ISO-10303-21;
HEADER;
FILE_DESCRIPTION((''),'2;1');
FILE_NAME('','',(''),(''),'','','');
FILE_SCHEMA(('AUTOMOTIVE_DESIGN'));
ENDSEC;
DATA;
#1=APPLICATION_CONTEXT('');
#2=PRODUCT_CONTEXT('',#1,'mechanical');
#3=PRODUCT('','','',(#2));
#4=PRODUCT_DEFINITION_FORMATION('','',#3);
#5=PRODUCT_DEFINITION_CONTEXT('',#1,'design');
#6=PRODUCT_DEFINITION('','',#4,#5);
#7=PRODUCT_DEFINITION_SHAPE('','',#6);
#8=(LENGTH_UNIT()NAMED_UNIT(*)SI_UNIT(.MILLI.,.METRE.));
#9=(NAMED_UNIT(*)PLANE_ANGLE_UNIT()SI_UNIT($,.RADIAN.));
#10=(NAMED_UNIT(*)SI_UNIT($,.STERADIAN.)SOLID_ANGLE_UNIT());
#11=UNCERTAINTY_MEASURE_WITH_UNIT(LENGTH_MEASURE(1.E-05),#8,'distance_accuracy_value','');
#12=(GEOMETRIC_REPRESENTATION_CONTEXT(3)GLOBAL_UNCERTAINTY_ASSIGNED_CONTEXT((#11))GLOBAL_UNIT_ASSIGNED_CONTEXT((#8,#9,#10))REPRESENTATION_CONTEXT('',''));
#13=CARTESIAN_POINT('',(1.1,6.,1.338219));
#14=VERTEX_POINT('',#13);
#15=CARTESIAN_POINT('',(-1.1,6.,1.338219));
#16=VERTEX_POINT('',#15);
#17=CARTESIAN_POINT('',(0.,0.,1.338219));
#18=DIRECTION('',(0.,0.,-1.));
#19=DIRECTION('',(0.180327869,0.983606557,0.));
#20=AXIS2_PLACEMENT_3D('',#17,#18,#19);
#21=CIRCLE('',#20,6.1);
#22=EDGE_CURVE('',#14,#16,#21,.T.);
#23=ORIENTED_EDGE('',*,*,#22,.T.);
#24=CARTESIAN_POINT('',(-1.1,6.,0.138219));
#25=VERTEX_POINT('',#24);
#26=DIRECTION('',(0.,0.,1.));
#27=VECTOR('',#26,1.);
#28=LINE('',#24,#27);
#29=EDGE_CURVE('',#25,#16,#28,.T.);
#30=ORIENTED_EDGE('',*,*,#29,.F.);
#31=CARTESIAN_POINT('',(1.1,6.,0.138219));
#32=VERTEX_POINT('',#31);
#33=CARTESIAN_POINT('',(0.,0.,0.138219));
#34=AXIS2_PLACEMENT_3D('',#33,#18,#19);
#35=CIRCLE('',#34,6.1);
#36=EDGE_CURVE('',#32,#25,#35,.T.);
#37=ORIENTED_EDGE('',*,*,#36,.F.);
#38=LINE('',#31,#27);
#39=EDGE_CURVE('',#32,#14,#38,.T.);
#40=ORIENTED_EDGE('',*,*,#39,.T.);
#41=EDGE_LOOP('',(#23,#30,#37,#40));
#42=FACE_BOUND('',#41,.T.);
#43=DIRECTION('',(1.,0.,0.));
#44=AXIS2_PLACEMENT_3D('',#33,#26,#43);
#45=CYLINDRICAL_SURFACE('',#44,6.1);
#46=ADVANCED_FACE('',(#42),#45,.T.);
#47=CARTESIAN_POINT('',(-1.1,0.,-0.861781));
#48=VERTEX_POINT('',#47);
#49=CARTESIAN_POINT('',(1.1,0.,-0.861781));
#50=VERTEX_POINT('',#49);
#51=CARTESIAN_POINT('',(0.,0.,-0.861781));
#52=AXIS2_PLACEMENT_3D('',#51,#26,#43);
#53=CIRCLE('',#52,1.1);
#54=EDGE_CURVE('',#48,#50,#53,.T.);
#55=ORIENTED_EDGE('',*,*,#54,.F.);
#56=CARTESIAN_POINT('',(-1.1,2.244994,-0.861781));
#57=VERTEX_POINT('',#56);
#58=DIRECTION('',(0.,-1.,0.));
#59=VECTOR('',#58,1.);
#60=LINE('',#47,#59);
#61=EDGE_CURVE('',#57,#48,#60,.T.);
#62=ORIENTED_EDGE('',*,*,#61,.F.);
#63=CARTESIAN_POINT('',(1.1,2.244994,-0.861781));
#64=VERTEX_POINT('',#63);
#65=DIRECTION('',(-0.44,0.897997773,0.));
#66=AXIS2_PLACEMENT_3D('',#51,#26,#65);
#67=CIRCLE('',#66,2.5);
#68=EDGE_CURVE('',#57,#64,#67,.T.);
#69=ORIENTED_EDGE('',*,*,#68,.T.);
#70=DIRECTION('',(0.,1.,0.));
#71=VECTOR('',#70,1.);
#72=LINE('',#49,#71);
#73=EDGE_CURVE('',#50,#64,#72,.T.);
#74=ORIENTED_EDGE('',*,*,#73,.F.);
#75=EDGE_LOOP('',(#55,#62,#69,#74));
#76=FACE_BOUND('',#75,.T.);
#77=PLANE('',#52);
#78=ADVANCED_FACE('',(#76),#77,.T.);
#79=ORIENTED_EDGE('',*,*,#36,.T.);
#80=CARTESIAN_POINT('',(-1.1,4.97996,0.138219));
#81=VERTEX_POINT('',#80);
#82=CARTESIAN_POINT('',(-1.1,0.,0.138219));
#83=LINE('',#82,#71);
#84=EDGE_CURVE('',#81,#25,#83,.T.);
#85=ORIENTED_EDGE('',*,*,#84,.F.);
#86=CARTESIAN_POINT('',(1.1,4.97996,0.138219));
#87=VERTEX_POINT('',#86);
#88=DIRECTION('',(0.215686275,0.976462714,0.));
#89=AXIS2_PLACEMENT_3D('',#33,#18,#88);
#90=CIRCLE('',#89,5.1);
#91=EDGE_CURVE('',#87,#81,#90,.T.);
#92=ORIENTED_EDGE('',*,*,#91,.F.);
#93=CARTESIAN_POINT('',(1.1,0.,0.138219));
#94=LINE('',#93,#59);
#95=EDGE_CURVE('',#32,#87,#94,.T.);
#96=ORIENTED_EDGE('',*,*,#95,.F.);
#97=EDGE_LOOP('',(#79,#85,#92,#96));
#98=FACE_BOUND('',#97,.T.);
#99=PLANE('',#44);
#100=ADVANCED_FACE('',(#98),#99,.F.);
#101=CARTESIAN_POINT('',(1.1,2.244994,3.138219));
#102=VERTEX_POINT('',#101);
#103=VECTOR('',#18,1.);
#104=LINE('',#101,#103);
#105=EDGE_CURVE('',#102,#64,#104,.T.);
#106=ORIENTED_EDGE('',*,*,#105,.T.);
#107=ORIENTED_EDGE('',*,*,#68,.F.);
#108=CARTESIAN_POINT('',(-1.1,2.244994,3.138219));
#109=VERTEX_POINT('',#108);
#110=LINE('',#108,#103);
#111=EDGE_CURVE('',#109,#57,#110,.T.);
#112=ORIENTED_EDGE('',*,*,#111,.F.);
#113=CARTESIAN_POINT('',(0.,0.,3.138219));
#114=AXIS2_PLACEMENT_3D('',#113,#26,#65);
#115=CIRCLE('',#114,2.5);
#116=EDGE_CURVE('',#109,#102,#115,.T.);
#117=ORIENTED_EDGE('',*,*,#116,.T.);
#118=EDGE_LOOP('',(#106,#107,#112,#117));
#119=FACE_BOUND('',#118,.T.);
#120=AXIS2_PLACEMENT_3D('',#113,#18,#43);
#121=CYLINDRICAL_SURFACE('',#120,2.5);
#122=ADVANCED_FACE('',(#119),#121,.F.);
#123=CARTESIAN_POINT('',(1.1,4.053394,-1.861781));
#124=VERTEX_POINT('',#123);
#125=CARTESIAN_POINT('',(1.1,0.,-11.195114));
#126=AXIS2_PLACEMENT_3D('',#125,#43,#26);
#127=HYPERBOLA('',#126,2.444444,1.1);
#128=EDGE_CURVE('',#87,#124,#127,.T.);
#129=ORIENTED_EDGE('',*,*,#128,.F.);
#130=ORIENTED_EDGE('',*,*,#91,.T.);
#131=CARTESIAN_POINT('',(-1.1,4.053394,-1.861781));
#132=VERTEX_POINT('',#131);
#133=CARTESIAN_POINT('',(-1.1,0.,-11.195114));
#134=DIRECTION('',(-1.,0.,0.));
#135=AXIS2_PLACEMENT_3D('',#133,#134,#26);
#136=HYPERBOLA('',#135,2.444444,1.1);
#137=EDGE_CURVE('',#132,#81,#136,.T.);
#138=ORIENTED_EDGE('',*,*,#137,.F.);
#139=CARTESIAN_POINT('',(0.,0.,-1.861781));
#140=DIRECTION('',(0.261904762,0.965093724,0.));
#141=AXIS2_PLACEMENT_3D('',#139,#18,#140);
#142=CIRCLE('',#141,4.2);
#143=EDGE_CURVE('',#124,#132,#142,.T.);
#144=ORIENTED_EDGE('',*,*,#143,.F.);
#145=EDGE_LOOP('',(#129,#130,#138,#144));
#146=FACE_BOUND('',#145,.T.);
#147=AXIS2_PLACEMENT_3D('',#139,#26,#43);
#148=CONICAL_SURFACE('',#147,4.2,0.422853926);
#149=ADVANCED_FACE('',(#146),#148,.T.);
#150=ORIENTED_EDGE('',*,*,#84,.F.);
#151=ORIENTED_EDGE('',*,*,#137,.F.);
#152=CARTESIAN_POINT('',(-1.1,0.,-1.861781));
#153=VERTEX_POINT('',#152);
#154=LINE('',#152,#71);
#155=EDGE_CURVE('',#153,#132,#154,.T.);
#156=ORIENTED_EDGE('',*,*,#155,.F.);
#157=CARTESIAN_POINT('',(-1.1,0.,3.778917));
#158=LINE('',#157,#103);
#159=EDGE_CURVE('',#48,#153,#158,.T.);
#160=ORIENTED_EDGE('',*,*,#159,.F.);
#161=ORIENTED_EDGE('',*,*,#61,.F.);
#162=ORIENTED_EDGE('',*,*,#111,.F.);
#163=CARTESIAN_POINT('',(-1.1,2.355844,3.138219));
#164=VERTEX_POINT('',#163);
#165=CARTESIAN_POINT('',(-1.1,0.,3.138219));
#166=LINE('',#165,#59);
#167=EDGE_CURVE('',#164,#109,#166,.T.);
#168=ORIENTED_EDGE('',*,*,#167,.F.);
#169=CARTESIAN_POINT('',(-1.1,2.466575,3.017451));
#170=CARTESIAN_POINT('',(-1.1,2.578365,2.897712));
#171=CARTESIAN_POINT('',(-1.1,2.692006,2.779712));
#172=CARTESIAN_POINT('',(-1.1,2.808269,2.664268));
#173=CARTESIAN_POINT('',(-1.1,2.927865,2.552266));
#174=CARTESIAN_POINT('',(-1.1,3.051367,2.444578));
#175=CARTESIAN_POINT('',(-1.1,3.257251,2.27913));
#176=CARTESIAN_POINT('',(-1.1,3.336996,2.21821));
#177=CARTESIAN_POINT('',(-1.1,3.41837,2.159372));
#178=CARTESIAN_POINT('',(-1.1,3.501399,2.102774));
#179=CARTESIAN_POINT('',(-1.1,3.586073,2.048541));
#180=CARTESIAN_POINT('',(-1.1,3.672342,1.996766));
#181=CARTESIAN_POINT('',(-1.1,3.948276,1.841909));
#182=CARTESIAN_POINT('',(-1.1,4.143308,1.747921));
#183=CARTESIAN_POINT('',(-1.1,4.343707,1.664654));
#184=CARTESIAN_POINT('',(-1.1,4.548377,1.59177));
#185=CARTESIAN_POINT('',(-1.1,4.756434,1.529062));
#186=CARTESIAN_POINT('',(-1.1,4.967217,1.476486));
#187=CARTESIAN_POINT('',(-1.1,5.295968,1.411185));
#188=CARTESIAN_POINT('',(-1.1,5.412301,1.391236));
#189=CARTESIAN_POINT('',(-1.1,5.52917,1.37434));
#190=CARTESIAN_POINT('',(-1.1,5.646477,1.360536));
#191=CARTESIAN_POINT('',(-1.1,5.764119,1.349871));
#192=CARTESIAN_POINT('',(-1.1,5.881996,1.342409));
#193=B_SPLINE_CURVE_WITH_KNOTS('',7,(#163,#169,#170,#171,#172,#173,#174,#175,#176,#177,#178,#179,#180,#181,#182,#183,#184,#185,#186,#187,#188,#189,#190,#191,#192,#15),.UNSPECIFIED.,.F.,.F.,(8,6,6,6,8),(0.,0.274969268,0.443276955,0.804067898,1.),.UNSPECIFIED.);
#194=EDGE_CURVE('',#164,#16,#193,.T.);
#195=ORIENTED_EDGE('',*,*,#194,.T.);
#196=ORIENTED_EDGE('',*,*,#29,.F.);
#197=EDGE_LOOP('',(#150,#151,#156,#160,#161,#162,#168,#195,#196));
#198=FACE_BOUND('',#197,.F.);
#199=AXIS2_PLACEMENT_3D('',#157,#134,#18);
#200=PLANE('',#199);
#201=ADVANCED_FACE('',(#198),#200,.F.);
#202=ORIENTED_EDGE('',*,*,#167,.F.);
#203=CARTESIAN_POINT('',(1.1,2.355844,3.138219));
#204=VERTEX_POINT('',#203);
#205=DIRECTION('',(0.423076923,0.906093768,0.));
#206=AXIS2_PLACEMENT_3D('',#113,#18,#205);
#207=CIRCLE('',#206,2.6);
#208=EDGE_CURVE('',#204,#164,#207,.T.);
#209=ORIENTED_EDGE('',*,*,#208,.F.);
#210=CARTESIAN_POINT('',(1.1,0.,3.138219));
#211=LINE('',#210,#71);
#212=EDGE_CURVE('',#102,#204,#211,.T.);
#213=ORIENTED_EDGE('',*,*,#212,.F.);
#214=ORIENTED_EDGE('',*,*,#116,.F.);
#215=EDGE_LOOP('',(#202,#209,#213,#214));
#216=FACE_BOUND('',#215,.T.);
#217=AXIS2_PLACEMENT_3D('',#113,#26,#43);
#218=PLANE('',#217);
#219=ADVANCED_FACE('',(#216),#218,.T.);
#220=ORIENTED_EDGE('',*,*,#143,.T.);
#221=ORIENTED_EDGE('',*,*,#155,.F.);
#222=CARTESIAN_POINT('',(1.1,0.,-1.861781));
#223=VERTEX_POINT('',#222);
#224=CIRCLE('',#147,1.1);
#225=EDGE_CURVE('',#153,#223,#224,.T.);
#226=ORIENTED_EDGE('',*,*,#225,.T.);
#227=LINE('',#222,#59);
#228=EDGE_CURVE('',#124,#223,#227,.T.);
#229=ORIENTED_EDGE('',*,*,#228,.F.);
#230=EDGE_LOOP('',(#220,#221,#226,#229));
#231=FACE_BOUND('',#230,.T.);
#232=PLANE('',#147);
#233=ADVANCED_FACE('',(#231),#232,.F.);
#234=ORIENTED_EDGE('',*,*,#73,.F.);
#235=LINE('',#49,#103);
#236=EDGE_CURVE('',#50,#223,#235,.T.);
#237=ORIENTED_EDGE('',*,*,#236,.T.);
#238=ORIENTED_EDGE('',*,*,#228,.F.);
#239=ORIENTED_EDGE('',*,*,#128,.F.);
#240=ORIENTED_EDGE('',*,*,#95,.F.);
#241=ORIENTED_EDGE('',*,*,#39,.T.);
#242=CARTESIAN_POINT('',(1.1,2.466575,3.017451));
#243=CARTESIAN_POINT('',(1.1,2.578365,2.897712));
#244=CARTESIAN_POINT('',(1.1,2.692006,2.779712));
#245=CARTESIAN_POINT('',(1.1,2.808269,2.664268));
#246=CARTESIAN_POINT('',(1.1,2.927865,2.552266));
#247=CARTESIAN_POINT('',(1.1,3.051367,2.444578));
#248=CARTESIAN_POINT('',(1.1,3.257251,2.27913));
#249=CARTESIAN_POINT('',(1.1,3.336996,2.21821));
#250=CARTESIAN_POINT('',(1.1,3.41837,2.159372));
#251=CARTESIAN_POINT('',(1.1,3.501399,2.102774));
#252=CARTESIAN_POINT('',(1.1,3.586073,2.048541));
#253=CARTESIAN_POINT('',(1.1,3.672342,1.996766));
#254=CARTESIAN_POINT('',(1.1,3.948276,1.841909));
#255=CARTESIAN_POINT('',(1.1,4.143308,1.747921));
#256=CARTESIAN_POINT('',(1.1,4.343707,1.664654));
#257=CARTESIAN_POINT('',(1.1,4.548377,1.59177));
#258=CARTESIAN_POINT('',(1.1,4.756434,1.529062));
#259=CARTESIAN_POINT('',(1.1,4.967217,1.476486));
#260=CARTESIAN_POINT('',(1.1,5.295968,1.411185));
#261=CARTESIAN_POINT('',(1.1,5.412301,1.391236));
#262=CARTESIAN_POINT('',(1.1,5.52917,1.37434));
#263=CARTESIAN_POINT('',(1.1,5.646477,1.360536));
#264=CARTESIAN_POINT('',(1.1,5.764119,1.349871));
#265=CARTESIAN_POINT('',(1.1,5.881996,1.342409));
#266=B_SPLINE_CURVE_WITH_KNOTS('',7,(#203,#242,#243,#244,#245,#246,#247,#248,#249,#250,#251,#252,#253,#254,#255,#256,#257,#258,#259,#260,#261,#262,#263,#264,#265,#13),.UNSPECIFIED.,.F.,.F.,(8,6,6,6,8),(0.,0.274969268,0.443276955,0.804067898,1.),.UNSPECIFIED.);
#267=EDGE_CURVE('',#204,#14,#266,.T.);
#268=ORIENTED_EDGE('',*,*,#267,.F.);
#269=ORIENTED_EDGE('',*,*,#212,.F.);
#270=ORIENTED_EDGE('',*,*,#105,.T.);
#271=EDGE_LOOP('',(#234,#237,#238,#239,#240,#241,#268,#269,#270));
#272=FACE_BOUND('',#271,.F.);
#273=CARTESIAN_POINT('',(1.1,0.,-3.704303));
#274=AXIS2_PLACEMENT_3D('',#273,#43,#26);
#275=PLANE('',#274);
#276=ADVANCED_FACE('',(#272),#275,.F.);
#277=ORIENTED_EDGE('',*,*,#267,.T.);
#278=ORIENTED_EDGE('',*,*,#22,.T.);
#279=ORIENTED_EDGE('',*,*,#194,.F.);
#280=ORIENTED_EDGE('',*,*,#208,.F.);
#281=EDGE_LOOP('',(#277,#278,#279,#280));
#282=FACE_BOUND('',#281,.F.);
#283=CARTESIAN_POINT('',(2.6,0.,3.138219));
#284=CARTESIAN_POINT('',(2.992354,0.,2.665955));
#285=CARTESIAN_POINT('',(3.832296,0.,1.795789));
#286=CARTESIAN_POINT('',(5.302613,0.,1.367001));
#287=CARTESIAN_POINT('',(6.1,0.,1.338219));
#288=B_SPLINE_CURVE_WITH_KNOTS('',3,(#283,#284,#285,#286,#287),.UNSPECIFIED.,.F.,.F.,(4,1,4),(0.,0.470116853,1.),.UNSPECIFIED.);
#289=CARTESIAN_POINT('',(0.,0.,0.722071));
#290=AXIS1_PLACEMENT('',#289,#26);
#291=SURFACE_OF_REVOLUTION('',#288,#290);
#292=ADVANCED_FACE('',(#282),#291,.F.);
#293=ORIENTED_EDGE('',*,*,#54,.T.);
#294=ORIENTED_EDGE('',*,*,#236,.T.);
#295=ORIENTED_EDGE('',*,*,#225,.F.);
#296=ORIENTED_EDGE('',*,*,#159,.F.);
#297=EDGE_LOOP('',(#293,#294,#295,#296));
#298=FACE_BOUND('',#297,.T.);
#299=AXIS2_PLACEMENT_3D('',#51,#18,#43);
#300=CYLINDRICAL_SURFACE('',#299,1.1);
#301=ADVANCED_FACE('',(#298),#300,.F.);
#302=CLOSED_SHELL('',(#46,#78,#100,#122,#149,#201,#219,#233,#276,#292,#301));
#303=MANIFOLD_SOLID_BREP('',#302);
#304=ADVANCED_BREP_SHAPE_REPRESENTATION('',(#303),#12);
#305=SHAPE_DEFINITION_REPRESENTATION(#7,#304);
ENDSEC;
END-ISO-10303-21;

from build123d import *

# Parameters (mm, degrees)
F3_DEPTH = 25


with BuildPart() as f1:
    # F0 (on Front) → F1 (revolve)
    with BuildSketch(Plane.XZ):
        with BuildLine():
            Line((1.1, -0.8617808444), (1.1, -1.8617808444))
            Line((1.1, -1.8617808444), (4.2, -1.8617808444))
            Line((4.2, -1.8617808444), (5.1, 0.1382191556))
            Line((5.1, 0.1382191556), (6.1, 0.1382191556))
            Line((6.1, 0.1382191556), (6.1, 1.3382191556))
            add(Edge.make_bspline(
                [(2.6, 3.1382191556), (2.9923542671, 2.6659549859), (3.8322964543, 1.7957891713), (5.3026131043, 1.3670006915), (6.1, 1.3382191556)],
                knots=[0, 0, 0, 0, 0.4701168528, 1, 1, 1, 1], degree=3))
            Line((2.6, 3.1382191556), (2.5, 3.1382191556))
            Line((2.5, 3.1382191556), (2.5, -0.8617808444))
            Line((2.5, -0.8617808444), (1.1, -0.8617808444))
        make_face()
    revolve(axis=Axis((0, 0, 0.7220712048), (0, 0, 1)))

    # F2 (on Front) → F3 (cut)
    with BuildSketch(Plane.XZ):
        Polygon((1.1, -3.7043033991), (1.1, -1.8617808444), (1.1, -0.8617808444), (1.1, 3.7789170165), (0, 3.7789170165), (-1.1, 3.7789170165), (-1.1, -3.7043033991), (0, -3.7043033991), align=None)
    extrude(amount=-F3_DEPTH, mode=Mode.SUBTRACT)


solid = f1.part
